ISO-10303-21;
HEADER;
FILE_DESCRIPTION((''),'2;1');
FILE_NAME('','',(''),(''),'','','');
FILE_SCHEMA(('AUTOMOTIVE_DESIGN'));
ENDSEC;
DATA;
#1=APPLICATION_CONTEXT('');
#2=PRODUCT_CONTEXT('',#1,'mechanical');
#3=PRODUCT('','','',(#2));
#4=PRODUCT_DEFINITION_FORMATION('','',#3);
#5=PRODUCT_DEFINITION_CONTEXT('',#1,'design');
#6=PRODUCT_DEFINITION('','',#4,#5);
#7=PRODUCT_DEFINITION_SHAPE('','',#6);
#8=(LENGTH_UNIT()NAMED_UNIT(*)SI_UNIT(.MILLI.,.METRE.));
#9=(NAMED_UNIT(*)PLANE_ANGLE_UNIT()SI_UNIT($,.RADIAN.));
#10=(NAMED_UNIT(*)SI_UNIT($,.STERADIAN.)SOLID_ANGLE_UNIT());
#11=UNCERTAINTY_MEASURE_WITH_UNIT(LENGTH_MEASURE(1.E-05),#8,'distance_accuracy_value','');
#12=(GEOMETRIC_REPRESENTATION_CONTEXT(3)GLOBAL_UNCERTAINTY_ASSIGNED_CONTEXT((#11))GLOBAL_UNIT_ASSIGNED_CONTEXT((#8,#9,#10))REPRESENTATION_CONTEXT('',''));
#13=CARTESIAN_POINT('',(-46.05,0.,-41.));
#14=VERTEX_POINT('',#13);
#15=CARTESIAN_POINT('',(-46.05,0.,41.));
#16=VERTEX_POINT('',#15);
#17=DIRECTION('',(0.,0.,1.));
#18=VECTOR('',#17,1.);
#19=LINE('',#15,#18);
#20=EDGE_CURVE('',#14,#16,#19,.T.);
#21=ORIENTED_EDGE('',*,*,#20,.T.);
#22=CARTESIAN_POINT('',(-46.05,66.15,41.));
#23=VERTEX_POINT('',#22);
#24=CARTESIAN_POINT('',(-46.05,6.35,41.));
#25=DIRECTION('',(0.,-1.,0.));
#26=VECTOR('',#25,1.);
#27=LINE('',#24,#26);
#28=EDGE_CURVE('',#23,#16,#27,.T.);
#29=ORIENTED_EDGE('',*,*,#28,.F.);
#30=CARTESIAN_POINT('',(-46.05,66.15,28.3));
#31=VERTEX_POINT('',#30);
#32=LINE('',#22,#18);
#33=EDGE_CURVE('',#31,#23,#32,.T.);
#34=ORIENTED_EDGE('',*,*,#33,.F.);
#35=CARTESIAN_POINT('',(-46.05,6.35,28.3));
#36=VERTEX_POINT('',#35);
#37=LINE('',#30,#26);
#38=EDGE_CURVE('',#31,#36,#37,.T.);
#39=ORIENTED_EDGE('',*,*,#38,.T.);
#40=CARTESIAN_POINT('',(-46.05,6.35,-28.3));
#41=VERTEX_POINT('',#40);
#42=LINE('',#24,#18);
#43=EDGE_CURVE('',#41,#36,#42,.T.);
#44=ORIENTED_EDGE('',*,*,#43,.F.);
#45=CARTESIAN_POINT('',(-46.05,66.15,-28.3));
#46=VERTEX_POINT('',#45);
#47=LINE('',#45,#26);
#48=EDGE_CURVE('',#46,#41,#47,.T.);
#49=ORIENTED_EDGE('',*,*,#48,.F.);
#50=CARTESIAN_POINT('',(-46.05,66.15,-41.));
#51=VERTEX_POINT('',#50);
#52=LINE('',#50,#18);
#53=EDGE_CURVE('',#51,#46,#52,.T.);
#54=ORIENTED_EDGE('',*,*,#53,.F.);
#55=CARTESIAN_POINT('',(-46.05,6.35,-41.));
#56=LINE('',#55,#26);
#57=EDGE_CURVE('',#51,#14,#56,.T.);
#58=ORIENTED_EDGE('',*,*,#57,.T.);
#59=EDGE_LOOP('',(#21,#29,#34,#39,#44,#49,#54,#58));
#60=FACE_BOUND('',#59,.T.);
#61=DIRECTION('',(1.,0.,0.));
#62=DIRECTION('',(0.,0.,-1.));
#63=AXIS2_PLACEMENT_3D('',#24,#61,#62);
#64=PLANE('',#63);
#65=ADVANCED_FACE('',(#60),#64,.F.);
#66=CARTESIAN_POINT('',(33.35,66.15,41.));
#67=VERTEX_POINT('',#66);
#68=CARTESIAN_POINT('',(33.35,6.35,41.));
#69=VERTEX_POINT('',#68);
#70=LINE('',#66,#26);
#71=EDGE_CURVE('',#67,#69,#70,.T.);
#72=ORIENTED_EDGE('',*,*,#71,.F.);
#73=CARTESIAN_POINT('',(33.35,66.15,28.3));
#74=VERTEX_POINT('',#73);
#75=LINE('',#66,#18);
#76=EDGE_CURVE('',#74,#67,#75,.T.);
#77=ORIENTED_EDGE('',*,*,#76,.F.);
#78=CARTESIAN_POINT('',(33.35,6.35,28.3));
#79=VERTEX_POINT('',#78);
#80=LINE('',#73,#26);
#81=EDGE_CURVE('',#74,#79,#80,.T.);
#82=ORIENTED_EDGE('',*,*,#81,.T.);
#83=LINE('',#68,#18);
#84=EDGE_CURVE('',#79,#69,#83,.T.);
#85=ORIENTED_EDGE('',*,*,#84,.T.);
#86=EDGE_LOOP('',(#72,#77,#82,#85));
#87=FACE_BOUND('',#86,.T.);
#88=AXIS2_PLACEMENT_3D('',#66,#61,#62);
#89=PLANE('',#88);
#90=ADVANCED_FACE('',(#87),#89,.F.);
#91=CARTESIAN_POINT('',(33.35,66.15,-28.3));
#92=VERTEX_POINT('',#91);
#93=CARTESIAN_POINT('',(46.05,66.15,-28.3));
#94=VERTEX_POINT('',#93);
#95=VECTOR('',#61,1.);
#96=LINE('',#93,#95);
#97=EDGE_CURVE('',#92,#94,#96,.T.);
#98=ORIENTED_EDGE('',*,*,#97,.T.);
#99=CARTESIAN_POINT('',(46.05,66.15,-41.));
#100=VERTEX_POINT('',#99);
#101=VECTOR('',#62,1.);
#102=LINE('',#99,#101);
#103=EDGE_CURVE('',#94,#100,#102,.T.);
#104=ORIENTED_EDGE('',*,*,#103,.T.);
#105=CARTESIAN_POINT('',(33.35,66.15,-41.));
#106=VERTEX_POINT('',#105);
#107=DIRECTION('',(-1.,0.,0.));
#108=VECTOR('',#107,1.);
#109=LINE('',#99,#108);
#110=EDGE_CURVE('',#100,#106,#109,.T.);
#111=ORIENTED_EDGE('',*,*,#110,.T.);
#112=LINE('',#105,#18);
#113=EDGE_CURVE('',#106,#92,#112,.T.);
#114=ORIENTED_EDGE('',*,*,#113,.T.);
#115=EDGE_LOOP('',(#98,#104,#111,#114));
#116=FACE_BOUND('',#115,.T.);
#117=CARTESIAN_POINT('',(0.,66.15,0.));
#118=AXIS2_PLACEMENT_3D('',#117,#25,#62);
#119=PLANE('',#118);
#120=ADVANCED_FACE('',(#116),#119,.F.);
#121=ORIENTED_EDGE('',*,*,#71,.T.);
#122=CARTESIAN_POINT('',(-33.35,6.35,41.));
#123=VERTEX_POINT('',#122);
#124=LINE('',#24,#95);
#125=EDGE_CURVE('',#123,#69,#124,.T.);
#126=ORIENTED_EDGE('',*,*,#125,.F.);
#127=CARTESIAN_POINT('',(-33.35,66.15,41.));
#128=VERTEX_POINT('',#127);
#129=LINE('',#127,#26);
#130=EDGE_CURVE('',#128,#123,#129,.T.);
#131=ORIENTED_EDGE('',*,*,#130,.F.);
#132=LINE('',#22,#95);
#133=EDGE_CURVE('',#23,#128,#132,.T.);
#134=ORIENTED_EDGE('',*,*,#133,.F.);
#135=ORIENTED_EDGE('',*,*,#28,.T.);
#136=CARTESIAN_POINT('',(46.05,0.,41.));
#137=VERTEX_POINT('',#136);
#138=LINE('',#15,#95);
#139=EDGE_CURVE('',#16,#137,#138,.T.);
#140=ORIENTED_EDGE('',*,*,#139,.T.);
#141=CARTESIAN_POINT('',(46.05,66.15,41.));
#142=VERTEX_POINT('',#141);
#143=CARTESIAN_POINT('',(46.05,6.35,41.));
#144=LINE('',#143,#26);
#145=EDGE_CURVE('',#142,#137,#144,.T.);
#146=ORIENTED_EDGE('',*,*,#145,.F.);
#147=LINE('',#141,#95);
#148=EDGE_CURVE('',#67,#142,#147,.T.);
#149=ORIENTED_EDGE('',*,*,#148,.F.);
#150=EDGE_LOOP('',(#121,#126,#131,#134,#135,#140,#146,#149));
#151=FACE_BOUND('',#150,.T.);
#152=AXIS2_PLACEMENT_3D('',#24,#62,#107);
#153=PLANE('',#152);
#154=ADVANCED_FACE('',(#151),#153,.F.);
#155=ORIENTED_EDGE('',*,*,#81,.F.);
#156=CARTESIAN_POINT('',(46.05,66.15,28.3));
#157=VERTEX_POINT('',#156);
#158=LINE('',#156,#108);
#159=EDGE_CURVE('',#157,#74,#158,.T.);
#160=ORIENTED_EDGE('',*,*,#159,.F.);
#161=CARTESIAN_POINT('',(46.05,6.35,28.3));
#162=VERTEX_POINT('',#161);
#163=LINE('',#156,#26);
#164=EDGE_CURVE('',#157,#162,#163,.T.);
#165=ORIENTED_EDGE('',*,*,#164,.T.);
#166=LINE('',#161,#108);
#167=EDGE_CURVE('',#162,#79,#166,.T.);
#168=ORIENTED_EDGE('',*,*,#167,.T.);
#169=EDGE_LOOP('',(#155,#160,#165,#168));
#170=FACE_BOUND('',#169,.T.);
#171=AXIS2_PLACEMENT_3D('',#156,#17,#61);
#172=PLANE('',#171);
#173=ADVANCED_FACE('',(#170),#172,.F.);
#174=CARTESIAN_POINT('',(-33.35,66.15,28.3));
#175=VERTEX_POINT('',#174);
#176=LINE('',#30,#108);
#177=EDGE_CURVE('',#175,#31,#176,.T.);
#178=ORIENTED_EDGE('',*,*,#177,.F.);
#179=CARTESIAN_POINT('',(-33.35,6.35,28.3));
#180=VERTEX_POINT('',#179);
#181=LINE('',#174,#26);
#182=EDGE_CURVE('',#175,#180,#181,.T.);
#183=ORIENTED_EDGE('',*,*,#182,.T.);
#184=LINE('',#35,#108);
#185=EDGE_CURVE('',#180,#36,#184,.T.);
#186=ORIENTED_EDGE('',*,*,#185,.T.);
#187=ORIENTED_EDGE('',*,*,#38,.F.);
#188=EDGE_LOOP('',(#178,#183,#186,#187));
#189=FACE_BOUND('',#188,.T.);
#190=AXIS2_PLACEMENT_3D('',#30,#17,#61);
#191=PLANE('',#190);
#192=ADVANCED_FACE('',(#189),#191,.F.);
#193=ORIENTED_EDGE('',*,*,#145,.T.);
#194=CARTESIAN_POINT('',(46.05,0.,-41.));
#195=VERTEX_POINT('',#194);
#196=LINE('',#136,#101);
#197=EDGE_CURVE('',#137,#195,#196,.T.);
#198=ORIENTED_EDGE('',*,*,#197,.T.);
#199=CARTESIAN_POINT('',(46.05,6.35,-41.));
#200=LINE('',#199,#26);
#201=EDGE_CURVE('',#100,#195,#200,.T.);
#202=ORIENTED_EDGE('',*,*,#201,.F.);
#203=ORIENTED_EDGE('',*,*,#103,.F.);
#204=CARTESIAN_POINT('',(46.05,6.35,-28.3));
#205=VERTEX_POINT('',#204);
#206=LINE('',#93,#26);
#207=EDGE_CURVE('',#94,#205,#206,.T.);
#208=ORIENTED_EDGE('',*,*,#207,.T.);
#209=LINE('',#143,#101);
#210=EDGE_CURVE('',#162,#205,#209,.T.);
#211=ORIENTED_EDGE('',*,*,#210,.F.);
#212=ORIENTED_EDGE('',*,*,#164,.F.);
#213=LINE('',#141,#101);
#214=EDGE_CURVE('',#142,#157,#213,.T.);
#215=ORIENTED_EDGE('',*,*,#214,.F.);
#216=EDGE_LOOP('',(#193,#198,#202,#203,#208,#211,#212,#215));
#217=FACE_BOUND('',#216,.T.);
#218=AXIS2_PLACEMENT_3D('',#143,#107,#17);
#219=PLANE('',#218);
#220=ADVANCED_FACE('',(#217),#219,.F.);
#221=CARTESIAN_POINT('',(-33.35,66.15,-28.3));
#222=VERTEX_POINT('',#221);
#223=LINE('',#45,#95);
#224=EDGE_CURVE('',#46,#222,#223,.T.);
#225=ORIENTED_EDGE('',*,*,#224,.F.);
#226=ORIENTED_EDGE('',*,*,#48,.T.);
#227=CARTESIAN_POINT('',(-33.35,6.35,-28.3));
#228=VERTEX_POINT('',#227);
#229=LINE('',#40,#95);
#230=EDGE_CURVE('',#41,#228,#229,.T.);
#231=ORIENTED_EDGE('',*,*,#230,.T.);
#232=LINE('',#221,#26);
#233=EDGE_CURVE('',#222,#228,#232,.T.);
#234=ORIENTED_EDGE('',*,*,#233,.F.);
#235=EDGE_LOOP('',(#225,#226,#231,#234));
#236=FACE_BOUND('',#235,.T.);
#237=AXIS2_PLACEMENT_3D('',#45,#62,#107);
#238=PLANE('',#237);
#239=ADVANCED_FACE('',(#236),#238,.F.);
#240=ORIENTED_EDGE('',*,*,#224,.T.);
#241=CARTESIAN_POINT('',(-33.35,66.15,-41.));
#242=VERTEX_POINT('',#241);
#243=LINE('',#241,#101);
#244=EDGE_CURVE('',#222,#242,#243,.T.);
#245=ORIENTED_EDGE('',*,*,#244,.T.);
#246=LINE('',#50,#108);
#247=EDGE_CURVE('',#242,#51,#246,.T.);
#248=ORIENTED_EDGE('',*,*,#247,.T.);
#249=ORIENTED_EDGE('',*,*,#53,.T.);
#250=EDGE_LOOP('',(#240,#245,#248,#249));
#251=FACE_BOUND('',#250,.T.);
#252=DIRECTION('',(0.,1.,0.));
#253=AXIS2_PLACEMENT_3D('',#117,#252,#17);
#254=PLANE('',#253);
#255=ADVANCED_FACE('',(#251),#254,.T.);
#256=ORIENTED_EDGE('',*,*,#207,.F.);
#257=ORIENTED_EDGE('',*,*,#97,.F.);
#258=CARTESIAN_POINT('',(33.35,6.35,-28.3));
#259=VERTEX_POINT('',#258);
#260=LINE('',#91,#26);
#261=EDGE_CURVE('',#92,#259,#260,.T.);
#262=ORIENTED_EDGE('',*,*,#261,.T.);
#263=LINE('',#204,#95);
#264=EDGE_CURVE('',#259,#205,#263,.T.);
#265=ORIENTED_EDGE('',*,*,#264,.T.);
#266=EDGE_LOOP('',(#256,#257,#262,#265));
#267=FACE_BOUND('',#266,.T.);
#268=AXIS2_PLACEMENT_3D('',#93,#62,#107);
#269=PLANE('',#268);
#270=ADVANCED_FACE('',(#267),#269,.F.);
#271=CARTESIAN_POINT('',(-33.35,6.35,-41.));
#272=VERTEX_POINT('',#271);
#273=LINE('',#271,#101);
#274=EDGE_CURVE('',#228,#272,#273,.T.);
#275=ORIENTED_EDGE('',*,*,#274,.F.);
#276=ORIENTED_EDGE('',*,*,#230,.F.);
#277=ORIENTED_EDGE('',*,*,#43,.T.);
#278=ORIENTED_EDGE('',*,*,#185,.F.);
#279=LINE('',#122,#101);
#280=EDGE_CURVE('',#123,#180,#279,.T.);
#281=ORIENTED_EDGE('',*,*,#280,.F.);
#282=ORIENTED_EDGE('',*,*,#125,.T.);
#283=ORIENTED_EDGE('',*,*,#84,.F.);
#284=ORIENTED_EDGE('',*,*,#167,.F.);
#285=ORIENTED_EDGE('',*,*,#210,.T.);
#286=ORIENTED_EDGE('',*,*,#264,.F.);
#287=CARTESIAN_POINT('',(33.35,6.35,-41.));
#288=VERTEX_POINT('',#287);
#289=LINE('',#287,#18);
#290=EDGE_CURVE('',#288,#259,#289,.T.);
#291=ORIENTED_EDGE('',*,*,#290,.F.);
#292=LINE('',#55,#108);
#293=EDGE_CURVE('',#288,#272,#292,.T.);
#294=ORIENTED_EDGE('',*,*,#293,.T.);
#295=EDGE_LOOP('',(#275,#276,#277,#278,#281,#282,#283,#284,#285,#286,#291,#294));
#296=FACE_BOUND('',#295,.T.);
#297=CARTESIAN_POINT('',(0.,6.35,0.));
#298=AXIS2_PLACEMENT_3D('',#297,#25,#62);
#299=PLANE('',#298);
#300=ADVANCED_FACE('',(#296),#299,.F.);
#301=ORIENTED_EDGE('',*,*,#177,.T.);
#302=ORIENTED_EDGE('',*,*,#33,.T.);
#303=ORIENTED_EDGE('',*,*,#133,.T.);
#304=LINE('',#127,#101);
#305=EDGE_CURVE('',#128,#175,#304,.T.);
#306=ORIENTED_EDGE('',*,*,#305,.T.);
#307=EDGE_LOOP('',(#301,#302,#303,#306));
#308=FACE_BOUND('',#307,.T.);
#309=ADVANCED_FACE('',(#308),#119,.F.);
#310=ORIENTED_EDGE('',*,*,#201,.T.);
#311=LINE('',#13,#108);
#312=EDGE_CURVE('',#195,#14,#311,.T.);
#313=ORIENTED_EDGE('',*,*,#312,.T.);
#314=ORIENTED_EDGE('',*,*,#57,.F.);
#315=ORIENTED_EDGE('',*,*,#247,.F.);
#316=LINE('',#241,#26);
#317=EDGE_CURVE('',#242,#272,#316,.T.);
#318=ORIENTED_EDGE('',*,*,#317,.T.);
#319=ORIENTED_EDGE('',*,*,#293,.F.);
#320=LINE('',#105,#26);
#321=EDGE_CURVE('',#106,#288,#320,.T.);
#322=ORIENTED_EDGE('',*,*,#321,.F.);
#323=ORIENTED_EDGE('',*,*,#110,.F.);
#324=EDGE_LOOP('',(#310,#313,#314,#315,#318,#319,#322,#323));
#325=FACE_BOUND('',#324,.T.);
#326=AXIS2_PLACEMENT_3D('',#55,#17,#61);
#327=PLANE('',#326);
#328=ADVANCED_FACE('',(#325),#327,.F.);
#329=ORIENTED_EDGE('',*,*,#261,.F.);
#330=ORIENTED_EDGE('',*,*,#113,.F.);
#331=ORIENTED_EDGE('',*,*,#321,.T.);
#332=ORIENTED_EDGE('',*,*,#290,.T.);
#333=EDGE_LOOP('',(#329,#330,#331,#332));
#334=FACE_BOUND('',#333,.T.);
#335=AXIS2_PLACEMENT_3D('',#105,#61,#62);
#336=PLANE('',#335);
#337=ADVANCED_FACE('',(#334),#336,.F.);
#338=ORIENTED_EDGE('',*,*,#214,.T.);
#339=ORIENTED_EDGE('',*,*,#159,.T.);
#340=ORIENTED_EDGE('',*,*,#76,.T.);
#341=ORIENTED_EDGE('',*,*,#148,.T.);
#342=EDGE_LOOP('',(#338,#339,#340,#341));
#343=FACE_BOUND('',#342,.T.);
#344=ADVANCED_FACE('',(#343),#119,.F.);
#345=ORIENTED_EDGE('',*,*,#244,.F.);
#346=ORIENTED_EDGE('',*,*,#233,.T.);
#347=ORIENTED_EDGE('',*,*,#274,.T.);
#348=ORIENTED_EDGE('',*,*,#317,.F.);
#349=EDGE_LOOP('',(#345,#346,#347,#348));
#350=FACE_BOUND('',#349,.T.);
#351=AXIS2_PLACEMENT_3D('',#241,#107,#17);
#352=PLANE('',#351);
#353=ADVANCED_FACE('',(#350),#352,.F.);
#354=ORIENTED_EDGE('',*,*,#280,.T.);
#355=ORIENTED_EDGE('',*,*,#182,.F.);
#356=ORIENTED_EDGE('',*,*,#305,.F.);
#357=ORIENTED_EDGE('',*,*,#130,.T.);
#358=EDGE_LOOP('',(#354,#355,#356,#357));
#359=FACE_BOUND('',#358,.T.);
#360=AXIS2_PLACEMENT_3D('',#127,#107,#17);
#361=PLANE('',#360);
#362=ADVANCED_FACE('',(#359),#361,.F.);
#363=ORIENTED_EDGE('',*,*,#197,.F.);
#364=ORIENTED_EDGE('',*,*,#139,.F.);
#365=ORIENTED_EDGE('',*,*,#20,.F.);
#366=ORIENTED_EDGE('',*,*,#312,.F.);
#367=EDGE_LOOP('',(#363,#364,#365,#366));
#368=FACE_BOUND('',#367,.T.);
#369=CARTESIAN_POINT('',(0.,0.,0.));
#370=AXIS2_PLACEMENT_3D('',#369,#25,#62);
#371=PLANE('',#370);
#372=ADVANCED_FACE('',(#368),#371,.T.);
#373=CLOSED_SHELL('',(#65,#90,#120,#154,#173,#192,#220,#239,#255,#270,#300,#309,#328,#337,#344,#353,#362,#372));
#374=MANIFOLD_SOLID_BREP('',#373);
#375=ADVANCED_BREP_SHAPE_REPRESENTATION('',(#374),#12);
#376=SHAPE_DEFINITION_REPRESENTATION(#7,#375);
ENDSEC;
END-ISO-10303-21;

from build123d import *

# Parameters (mm, degrees)
SKETCH1_W           = 92.09999995
SKETCH1_H           = 82
BOSS_EXTRUDE3_DEPTH = 6.35
SKETCH2_W           = 12.7
SKETCH2_H           = 12.7
BOSS_EXTRUDE4_DEPTH = 59.8


with BuildPart() as part:
    # Sketch1 → Boss-Extrude3 (new body)
    with BuildSketch(Plane(origin=(0, 0, 0), x_dir=(1, 0, 0), z_dir=(0, 1, 0))):
        Rectangle(SKETCH1_W, SKETCH1_H)
    extrude(amount=BOSS_EXTRUDE3_DEPTH)

    # Sketch2 → Boss-Extrude4 (add)
    with BuildSketch(Plane(origin=(0, 6.35, 0), x_dir=(1, 0, 0), z_dir=(0, 1, 0))):
        with Locations((-39.699999975, 34.65)):
            Rectangle(SKETCH2_W, SKETCH2_H)
        with Locations((39.699999975, 34.65)):
            Rectangle(SKETCH2_W, SKETCH2_H)
        with Locations((39.699999975, -34.65)):
            Rectangle(SKETCH2_W, SKETCH2_H)
        with Locations((-39.699999975, -34.65)):
            Rectangle(SKETCH2_W, SKETCH2_H)
    extrude(amount=BOSS_EXTRUDE4_DEPTH)


solid = part.part
